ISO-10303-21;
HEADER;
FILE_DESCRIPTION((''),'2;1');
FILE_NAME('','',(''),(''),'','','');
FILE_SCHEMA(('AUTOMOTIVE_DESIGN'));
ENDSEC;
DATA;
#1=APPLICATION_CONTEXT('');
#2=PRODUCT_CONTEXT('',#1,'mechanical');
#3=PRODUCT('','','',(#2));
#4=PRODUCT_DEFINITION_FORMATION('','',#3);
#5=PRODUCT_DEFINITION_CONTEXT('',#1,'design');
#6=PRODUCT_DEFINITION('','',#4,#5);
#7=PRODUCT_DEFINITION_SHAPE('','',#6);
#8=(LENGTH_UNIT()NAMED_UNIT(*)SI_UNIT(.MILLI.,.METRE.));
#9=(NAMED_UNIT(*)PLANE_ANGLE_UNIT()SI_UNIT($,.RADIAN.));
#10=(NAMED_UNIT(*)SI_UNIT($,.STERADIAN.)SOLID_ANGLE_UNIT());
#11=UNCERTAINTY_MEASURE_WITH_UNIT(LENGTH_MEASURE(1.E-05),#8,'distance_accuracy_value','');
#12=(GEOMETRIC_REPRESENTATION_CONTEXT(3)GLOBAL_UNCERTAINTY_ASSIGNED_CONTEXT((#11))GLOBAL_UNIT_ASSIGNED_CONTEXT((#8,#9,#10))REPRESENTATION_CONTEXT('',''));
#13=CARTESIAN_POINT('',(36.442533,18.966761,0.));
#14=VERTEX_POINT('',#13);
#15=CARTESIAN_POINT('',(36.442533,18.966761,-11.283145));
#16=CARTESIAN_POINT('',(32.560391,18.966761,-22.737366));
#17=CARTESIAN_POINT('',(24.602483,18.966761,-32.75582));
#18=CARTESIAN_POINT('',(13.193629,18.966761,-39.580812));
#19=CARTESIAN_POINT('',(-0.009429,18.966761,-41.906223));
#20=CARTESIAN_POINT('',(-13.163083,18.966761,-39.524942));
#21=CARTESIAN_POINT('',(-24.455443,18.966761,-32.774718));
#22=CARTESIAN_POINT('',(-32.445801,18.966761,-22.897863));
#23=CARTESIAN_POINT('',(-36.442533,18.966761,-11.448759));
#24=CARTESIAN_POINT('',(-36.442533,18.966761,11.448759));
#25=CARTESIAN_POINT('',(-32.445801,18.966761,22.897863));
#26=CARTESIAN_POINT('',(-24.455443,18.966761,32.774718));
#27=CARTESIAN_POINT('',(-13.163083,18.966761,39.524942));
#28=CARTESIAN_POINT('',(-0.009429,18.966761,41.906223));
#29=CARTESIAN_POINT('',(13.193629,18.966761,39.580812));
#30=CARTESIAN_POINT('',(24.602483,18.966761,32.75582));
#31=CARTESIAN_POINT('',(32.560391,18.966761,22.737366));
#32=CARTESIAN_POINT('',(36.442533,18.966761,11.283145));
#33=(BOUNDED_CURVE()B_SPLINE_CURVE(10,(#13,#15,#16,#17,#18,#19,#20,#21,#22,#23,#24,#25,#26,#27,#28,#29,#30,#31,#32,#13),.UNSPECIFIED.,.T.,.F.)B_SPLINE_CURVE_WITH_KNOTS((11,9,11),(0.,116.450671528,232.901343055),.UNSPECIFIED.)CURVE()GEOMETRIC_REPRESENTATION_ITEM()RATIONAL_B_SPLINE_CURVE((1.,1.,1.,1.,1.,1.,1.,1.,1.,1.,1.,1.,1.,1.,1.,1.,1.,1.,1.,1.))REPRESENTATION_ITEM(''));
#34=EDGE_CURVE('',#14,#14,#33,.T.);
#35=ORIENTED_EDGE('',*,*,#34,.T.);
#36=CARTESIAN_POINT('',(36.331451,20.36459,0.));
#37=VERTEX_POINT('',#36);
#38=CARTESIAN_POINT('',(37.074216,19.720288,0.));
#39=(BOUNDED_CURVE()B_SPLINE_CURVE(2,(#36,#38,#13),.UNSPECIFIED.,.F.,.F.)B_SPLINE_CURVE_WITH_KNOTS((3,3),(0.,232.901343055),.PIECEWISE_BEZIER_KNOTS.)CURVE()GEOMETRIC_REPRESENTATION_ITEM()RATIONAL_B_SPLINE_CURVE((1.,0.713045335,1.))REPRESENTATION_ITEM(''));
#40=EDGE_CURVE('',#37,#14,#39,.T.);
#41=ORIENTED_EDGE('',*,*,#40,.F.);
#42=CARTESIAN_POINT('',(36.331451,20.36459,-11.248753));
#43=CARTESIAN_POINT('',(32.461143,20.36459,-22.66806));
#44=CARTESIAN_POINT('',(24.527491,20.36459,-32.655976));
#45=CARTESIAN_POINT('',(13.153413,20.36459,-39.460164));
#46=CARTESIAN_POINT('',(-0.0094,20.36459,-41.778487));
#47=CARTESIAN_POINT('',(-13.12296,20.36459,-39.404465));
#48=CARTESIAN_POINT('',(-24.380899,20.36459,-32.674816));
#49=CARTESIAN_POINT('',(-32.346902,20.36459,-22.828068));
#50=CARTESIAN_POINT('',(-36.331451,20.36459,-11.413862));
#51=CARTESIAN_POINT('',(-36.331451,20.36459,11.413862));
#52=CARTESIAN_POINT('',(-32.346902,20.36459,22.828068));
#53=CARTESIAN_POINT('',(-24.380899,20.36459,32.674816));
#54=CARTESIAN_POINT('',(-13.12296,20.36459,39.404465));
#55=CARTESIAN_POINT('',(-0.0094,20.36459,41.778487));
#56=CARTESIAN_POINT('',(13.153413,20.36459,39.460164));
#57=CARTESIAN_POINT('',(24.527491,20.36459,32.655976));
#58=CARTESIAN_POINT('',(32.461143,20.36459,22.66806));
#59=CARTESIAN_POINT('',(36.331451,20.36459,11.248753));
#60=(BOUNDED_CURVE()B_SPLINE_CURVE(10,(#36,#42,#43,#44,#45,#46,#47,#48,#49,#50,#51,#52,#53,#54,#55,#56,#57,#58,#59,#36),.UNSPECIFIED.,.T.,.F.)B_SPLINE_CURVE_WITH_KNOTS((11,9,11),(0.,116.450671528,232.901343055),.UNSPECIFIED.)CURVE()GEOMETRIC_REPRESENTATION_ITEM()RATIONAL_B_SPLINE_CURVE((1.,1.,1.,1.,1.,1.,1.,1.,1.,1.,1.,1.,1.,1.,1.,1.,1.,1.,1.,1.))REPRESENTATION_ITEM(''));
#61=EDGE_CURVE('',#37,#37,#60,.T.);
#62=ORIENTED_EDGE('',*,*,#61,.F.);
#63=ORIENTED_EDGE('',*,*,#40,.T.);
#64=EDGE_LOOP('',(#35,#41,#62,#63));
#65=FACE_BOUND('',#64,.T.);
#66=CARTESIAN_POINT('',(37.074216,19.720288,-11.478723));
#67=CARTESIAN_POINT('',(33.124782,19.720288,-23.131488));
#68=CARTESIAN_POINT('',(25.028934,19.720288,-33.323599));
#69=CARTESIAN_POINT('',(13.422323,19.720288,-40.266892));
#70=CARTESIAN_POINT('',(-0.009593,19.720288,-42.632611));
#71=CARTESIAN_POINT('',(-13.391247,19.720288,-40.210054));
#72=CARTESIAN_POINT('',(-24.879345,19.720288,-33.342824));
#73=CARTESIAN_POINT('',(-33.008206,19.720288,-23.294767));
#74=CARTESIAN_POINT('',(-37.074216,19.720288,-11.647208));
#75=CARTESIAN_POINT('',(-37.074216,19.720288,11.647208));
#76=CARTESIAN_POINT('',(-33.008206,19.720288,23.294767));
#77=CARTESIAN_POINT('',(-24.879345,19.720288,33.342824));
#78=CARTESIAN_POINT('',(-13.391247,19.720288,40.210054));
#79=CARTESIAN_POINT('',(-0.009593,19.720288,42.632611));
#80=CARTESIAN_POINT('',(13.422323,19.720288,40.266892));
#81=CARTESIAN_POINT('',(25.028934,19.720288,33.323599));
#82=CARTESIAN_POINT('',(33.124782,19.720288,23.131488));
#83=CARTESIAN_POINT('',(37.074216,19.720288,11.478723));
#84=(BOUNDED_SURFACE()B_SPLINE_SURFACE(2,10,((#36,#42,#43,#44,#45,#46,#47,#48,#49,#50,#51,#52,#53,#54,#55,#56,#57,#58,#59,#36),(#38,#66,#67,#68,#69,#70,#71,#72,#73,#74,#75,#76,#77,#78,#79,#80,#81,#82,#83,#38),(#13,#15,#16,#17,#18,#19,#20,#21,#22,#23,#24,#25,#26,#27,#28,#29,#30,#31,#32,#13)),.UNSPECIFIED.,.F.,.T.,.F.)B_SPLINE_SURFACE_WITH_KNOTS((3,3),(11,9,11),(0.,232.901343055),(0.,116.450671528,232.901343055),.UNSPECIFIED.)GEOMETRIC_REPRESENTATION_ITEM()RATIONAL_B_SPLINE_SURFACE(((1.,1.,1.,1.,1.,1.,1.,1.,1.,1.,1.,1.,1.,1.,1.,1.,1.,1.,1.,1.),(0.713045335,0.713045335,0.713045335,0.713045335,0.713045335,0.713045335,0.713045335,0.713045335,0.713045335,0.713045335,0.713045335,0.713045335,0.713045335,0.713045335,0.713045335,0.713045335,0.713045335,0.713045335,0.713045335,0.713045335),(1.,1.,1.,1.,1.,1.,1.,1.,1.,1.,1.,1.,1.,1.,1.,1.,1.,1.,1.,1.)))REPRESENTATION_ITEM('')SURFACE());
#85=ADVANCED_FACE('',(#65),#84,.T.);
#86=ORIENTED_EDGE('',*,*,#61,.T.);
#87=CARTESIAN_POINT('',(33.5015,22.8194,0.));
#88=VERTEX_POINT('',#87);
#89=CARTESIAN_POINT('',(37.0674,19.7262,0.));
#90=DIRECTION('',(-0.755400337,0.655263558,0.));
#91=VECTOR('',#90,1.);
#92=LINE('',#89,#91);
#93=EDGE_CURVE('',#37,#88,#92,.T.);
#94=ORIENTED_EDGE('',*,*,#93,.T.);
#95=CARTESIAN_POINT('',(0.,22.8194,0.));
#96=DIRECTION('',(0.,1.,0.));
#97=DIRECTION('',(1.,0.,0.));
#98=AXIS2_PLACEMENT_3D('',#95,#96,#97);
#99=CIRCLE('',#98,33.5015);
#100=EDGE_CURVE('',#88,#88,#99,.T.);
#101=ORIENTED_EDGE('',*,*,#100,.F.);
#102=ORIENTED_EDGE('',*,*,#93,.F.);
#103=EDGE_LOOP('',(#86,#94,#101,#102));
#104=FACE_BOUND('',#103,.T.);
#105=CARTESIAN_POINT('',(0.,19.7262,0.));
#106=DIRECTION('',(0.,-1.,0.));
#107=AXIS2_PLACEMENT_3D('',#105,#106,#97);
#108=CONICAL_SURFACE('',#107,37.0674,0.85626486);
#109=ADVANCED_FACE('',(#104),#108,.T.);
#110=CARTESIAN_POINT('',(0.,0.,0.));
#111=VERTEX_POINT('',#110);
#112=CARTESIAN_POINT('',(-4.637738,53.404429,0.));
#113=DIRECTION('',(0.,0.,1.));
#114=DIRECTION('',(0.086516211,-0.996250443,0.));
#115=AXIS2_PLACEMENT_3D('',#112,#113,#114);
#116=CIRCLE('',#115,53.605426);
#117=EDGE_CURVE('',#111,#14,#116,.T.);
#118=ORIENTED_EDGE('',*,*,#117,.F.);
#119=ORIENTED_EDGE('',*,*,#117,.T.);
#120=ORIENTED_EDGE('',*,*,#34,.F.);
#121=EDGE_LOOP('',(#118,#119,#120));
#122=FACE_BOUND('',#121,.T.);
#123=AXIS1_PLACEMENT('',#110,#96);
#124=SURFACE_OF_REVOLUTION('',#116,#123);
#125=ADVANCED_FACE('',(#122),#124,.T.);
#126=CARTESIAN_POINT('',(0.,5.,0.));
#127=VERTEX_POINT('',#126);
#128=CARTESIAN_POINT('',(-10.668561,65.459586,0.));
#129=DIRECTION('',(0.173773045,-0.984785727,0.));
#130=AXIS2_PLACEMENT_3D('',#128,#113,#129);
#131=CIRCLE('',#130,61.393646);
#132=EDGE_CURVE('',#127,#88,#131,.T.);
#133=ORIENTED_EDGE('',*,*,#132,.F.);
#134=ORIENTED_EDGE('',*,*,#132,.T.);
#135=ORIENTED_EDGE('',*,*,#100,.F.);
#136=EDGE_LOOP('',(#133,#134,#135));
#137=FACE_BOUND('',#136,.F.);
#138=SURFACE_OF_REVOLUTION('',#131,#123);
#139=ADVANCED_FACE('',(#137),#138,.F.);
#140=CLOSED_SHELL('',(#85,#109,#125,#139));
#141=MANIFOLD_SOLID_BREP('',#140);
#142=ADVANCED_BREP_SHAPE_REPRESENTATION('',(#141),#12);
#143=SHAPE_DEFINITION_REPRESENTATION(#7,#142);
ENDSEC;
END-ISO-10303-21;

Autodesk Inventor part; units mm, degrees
ref_plane "YZ Plane" through (0, 0, 0) normal (1, 0, 0) x (0, 1, 0)
ref_plane "XZ Plane" through (0, 0, 0) normal (0, 1, 0) x (-1, 0, 0)
ref_plane "XY Plane" through (0, 0, 0) normal (0, 0, 1) x (1, 0, 0)
sketch "Sketch2" plane through (0, 0, 0) normal (0, 0, 1) x (1, 0, 0)
  arc A0 (0, 0) -> (37.0674, 19.7262) centre (-4.6377, 53.4043) ccw
  line L0 (0, 0) -> (0, 10)
  arc A1 (0, 5) -> (33.5015, 22.8194) centre (-10.6686, 65.4597) ccw
  line L1 (37.0674, 19.7262) -> (33.5015, 22.8194)
  point P0 (35.2844, 21.2728)
  dimension "d10" = 10
  dimension "d12" = 61.3938
  dimension "d13" = 53.6053
  dimension "d14" = 4.7205
  dimension "d15" = 19.7262
  dimension "d16" = 22.8194
  dimension "d17" = 35.2844
revolve "Revolution1" add sketch "Sketch2" angle 360 about axis through (0, 0, 0) along (0, 1, 0)
fillet "Fillet1" radius 1 1 edges at (-37.0674, 19.7262, 0)
properties part number "Front Shield TPS"
